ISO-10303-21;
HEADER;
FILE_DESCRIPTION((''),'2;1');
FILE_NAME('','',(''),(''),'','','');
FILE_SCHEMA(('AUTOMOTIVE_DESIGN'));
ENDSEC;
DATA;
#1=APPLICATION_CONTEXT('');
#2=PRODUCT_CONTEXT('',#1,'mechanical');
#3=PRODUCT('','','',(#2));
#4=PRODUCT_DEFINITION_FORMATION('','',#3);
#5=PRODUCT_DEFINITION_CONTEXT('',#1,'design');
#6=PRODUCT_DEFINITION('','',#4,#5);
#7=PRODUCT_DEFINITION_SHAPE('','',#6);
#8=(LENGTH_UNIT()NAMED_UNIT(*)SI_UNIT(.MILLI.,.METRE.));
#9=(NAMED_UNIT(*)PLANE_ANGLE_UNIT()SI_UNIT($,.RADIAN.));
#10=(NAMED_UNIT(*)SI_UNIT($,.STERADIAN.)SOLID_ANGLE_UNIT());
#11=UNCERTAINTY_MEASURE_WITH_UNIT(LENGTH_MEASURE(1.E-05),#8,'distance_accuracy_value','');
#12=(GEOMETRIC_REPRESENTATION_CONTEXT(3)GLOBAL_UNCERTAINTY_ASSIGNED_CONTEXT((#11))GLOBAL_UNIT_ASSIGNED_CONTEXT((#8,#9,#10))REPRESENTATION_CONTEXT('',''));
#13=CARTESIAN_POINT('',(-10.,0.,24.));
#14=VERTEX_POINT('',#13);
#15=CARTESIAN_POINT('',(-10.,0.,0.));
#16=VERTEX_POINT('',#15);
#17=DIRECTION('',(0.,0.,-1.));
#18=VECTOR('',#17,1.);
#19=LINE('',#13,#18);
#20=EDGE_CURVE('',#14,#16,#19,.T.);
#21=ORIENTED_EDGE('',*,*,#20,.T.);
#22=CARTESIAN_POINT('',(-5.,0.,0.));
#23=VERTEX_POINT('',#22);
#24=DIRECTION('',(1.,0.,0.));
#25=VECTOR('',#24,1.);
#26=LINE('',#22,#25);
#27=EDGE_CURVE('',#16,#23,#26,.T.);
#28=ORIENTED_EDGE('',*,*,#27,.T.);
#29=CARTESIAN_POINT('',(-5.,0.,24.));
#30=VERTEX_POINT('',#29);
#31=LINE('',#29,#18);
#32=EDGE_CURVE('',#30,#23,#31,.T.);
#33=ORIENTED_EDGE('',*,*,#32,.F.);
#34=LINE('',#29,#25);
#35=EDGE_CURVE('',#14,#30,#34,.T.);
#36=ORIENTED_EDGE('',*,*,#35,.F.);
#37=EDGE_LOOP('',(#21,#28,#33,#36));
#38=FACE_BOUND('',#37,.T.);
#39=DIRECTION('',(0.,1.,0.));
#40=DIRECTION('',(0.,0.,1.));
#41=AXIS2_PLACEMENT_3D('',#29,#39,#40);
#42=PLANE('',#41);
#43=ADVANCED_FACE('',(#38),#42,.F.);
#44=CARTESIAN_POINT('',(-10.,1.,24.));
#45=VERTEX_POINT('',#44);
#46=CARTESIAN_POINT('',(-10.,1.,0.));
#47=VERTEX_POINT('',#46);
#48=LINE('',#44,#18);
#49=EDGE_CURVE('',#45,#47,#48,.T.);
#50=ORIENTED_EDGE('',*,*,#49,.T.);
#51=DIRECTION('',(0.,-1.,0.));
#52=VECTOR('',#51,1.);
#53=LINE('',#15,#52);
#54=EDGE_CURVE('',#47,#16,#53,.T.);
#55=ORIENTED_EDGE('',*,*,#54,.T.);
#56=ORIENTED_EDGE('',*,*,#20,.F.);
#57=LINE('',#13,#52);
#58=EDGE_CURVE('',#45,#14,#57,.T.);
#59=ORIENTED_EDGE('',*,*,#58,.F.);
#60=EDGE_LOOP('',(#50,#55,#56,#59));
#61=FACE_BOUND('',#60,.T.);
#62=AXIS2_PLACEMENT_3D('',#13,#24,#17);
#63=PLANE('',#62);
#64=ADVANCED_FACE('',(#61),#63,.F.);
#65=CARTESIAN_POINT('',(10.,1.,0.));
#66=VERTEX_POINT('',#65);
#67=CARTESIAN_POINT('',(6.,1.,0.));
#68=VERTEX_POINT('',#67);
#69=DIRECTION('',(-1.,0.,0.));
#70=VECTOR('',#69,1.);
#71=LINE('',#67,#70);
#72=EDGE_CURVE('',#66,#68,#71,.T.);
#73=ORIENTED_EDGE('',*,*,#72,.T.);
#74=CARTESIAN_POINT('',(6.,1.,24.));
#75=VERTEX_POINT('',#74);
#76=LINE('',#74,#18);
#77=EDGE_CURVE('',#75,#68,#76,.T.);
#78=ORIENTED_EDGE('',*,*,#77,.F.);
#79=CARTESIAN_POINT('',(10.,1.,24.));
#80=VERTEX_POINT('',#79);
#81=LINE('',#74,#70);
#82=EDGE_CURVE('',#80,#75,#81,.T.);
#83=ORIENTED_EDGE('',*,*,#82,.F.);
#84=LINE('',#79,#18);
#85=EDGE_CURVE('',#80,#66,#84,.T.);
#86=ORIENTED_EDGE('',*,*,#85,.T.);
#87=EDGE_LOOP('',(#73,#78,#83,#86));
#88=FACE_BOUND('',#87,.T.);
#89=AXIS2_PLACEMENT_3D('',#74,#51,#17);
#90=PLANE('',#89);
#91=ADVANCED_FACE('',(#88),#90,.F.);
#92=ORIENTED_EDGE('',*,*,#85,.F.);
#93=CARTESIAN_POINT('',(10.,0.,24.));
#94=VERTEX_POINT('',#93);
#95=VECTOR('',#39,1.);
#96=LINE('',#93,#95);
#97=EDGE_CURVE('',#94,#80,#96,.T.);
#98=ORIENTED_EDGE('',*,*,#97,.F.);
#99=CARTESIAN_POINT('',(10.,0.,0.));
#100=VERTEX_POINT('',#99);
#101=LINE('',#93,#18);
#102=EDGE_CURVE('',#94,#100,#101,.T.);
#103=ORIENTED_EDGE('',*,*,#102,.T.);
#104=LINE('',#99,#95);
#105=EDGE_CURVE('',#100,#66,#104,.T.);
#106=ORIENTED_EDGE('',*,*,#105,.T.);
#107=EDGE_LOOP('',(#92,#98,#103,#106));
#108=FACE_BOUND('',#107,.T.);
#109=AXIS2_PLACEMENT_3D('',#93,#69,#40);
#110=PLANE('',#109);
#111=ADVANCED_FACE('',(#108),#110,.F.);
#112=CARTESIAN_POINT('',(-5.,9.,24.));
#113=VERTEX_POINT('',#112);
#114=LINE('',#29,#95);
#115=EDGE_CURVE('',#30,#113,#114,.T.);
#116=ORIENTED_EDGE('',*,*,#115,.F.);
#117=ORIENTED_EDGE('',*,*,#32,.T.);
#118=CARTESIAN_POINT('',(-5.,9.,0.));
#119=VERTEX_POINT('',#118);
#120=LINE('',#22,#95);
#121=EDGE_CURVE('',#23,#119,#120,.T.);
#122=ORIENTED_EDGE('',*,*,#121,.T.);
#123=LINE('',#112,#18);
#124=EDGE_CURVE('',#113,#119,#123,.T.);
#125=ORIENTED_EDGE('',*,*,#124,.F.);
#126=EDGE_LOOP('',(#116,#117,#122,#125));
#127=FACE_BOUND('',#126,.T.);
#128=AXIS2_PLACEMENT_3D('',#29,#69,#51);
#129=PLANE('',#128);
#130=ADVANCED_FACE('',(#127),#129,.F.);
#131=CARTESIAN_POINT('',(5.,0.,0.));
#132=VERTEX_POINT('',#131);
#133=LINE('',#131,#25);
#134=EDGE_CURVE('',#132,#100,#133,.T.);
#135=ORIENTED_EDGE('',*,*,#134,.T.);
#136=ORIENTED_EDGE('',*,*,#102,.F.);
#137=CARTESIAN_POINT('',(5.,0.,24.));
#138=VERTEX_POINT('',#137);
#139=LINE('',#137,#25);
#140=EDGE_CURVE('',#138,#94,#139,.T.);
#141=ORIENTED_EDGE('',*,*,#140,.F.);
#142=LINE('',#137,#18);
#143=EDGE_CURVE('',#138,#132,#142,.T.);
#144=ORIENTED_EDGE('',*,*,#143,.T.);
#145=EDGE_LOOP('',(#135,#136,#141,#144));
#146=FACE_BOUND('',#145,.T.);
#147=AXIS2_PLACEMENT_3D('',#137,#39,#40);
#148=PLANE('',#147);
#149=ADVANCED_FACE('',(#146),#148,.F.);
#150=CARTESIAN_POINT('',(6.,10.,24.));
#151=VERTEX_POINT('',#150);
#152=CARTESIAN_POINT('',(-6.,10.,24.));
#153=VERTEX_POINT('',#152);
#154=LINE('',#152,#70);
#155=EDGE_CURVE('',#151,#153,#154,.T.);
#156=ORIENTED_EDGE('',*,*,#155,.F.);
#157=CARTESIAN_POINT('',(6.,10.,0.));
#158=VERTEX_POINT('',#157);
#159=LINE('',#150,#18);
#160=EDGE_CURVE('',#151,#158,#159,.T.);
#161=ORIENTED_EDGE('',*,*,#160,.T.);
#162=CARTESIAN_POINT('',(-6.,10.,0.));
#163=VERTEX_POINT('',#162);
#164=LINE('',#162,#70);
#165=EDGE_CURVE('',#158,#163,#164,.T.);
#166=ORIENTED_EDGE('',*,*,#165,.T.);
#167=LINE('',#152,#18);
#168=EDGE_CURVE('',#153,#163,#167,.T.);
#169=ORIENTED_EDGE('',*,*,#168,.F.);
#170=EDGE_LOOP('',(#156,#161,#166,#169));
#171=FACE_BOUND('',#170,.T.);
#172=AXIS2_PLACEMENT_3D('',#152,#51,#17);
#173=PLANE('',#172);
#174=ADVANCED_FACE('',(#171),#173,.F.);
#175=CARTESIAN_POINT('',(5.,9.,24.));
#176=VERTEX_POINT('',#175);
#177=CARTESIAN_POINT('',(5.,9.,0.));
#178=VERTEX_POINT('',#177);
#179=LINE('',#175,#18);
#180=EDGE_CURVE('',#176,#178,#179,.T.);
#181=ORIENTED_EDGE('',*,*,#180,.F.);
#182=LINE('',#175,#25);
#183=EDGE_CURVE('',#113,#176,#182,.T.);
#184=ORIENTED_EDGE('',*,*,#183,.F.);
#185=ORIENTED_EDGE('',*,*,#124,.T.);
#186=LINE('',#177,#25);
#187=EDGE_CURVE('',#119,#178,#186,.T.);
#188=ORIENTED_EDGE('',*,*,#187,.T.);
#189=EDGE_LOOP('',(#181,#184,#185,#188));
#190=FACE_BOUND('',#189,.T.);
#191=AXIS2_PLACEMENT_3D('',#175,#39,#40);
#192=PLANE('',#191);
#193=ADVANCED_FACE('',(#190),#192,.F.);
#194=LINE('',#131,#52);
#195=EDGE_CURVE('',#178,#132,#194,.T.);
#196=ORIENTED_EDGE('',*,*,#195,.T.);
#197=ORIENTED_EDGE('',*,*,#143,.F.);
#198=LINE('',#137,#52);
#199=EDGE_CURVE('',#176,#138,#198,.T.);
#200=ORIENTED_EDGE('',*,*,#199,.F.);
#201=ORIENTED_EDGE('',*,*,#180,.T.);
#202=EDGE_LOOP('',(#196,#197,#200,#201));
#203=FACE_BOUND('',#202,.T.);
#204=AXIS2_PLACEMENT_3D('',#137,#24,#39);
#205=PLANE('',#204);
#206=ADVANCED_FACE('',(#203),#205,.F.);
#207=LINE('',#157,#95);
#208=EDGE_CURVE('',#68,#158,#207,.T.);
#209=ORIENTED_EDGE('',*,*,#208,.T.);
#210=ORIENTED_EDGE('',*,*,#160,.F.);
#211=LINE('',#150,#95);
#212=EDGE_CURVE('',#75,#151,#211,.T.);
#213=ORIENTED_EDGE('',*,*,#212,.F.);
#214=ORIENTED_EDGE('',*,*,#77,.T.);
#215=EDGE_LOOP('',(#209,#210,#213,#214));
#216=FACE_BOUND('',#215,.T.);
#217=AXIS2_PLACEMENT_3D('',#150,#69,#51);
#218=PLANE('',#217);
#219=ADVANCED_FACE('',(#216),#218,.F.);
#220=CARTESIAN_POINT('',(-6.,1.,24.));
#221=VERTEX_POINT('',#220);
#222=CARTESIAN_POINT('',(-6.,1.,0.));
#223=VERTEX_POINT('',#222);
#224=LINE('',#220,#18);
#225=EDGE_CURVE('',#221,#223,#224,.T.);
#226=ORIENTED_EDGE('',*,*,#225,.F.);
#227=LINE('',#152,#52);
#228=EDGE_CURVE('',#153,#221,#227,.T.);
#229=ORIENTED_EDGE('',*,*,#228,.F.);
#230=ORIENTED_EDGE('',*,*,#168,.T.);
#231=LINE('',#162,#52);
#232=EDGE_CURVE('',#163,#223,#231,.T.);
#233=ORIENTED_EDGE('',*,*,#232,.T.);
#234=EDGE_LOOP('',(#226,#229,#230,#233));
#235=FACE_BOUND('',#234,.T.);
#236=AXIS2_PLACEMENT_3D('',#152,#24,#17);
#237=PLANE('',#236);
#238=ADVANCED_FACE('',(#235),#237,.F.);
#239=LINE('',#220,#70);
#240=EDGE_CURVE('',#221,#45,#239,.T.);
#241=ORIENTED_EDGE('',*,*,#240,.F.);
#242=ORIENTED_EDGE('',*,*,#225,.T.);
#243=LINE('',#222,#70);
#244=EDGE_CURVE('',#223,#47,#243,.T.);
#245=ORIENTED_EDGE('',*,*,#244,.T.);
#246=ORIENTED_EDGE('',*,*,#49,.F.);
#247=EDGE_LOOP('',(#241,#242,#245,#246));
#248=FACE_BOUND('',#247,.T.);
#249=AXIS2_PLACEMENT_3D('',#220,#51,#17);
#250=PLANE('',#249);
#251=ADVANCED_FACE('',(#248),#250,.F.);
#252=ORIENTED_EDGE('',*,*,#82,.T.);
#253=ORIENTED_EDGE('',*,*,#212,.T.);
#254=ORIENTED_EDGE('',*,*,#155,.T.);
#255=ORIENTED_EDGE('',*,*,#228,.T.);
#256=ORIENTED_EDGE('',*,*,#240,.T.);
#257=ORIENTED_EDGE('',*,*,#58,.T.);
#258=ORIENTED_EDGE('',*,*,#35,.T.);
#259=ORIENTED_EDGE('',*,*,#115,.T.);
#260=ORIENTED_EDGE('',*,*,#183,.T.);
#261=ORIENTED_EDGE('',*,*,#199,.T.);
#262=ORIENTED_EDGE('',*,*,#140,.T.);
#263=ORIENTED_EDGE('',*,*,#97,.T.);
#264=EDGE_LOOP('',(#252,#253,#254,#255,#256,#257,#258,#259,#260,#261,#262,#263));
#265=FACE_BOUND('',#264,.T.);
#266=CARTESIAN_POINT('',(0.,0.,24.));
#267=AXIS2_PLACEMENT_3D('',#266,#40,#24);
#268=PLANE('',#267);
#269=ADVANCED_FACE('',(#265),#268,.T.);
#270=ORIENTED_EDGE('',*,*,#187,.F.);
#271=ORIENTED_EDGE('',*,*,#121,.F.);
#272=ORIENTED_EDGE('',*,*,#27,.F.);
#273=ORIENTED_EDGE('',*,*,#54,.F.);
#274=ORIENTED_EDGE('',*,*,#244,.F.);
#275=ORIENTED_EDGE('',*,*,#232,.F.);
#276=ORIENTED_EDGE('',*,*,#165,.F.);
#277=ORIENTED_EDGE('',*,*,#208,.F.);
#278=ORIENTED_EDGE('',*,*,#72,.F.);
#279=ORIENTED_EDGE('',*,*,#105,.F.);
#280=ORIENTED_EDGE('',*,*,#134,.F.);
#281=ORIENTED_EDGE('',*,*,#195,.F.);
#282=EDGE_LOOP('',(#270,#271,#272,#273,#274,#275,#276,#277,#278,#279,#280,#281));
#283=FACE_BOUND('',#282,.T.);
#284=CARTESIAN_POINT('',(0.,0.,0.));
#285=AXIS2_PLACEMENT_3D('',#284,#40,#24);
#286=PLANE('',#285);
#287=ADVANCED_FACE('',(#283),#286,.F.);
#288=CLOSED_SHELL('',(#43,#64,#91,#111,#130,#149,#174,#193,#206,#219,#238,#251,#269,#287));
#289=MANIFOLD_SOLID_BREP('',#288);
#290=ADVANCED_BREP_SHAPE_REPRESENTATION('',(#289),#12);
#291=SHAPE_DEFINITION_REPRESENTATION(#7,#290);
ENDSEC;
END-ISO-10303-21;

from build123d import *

# Parameters (mm, degrees)
BOSS_EXTRUDE1_DEPTH = 24


with BuildPart() as part:
    # Sketch1 → Boss-Extrude1 (new body)
    with BuildSketch(Plane.XY):
        Polygon((5, 0), (5, 9), (-5, 9), (-5, 0), (-10, 0), (-10, 1), (-6, 1), (-6, 10), (6, 10), (6, 1), (10, 1), (10, 0), align=None)
    extrude(amount=BOSS_EXTRUDE1_DEPTH)


solid = part.part
